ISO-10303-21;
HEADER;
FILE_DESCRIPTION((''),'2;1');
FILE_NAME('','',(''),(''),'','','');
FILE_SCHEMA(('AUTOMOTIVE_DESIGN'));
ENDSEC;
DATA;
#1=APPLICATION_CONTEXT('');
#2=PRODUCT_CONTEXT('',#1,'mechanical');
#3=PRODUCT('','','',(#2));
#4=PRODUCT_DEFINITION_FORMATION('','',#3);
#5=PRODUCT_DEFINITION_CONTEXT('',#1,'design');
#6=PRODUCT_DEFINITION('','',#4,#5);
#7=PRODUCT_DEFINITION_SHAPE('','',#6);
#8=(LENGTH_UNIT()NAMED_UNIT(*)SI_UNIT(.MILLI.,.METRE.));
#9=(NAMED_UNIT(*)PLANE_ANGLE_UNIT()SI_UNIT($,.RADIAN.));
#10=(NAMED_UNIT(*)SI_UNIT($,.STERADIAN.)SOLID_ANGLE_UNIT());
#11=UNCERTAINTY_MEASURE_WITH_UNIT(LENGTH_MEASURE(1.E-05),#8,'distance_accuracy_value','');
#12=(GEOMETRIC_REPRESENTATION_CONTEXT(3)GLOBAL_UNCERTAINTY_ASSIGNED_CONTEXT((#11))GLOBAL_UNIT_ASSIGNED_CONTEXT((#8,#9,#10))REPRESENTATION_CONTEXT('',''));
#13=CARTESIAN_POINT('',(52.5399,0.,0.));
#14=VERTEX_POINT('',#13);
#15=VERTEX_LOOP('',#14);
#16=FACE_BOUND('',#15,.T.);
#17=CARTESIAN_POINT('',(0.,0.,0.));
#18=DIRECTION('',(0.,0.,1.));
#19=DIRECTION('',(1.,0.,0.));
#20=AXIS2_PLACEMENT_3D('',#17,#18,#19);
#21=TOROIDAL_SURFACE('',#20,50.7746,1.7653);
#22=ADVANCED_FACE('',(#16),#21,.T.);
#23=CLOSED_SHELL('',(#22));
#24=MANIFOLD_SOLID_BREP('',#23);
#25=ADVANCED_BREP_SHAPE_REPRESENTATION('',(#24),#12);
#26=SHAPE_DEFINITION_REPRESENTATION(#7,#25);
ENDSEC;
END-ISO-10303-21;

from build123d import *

# Parameters (mm, degrees)
SKETCH1_R = 1.7653


with BuildPart() as part:
    # Sketch1 → Revolve1 (revolve)
    with BuildSketch(Plane(origin=(0, 0, 0), x_dir=(0, -1, 0), z_dir=(1, 0, 0))):
        with Locations((50.7746, 0)):
            Circle(SKETCH1_R)
    revolve(axis=Axis((0, 0, 1.7653), (0, 0, -1)))


solid = part.part
